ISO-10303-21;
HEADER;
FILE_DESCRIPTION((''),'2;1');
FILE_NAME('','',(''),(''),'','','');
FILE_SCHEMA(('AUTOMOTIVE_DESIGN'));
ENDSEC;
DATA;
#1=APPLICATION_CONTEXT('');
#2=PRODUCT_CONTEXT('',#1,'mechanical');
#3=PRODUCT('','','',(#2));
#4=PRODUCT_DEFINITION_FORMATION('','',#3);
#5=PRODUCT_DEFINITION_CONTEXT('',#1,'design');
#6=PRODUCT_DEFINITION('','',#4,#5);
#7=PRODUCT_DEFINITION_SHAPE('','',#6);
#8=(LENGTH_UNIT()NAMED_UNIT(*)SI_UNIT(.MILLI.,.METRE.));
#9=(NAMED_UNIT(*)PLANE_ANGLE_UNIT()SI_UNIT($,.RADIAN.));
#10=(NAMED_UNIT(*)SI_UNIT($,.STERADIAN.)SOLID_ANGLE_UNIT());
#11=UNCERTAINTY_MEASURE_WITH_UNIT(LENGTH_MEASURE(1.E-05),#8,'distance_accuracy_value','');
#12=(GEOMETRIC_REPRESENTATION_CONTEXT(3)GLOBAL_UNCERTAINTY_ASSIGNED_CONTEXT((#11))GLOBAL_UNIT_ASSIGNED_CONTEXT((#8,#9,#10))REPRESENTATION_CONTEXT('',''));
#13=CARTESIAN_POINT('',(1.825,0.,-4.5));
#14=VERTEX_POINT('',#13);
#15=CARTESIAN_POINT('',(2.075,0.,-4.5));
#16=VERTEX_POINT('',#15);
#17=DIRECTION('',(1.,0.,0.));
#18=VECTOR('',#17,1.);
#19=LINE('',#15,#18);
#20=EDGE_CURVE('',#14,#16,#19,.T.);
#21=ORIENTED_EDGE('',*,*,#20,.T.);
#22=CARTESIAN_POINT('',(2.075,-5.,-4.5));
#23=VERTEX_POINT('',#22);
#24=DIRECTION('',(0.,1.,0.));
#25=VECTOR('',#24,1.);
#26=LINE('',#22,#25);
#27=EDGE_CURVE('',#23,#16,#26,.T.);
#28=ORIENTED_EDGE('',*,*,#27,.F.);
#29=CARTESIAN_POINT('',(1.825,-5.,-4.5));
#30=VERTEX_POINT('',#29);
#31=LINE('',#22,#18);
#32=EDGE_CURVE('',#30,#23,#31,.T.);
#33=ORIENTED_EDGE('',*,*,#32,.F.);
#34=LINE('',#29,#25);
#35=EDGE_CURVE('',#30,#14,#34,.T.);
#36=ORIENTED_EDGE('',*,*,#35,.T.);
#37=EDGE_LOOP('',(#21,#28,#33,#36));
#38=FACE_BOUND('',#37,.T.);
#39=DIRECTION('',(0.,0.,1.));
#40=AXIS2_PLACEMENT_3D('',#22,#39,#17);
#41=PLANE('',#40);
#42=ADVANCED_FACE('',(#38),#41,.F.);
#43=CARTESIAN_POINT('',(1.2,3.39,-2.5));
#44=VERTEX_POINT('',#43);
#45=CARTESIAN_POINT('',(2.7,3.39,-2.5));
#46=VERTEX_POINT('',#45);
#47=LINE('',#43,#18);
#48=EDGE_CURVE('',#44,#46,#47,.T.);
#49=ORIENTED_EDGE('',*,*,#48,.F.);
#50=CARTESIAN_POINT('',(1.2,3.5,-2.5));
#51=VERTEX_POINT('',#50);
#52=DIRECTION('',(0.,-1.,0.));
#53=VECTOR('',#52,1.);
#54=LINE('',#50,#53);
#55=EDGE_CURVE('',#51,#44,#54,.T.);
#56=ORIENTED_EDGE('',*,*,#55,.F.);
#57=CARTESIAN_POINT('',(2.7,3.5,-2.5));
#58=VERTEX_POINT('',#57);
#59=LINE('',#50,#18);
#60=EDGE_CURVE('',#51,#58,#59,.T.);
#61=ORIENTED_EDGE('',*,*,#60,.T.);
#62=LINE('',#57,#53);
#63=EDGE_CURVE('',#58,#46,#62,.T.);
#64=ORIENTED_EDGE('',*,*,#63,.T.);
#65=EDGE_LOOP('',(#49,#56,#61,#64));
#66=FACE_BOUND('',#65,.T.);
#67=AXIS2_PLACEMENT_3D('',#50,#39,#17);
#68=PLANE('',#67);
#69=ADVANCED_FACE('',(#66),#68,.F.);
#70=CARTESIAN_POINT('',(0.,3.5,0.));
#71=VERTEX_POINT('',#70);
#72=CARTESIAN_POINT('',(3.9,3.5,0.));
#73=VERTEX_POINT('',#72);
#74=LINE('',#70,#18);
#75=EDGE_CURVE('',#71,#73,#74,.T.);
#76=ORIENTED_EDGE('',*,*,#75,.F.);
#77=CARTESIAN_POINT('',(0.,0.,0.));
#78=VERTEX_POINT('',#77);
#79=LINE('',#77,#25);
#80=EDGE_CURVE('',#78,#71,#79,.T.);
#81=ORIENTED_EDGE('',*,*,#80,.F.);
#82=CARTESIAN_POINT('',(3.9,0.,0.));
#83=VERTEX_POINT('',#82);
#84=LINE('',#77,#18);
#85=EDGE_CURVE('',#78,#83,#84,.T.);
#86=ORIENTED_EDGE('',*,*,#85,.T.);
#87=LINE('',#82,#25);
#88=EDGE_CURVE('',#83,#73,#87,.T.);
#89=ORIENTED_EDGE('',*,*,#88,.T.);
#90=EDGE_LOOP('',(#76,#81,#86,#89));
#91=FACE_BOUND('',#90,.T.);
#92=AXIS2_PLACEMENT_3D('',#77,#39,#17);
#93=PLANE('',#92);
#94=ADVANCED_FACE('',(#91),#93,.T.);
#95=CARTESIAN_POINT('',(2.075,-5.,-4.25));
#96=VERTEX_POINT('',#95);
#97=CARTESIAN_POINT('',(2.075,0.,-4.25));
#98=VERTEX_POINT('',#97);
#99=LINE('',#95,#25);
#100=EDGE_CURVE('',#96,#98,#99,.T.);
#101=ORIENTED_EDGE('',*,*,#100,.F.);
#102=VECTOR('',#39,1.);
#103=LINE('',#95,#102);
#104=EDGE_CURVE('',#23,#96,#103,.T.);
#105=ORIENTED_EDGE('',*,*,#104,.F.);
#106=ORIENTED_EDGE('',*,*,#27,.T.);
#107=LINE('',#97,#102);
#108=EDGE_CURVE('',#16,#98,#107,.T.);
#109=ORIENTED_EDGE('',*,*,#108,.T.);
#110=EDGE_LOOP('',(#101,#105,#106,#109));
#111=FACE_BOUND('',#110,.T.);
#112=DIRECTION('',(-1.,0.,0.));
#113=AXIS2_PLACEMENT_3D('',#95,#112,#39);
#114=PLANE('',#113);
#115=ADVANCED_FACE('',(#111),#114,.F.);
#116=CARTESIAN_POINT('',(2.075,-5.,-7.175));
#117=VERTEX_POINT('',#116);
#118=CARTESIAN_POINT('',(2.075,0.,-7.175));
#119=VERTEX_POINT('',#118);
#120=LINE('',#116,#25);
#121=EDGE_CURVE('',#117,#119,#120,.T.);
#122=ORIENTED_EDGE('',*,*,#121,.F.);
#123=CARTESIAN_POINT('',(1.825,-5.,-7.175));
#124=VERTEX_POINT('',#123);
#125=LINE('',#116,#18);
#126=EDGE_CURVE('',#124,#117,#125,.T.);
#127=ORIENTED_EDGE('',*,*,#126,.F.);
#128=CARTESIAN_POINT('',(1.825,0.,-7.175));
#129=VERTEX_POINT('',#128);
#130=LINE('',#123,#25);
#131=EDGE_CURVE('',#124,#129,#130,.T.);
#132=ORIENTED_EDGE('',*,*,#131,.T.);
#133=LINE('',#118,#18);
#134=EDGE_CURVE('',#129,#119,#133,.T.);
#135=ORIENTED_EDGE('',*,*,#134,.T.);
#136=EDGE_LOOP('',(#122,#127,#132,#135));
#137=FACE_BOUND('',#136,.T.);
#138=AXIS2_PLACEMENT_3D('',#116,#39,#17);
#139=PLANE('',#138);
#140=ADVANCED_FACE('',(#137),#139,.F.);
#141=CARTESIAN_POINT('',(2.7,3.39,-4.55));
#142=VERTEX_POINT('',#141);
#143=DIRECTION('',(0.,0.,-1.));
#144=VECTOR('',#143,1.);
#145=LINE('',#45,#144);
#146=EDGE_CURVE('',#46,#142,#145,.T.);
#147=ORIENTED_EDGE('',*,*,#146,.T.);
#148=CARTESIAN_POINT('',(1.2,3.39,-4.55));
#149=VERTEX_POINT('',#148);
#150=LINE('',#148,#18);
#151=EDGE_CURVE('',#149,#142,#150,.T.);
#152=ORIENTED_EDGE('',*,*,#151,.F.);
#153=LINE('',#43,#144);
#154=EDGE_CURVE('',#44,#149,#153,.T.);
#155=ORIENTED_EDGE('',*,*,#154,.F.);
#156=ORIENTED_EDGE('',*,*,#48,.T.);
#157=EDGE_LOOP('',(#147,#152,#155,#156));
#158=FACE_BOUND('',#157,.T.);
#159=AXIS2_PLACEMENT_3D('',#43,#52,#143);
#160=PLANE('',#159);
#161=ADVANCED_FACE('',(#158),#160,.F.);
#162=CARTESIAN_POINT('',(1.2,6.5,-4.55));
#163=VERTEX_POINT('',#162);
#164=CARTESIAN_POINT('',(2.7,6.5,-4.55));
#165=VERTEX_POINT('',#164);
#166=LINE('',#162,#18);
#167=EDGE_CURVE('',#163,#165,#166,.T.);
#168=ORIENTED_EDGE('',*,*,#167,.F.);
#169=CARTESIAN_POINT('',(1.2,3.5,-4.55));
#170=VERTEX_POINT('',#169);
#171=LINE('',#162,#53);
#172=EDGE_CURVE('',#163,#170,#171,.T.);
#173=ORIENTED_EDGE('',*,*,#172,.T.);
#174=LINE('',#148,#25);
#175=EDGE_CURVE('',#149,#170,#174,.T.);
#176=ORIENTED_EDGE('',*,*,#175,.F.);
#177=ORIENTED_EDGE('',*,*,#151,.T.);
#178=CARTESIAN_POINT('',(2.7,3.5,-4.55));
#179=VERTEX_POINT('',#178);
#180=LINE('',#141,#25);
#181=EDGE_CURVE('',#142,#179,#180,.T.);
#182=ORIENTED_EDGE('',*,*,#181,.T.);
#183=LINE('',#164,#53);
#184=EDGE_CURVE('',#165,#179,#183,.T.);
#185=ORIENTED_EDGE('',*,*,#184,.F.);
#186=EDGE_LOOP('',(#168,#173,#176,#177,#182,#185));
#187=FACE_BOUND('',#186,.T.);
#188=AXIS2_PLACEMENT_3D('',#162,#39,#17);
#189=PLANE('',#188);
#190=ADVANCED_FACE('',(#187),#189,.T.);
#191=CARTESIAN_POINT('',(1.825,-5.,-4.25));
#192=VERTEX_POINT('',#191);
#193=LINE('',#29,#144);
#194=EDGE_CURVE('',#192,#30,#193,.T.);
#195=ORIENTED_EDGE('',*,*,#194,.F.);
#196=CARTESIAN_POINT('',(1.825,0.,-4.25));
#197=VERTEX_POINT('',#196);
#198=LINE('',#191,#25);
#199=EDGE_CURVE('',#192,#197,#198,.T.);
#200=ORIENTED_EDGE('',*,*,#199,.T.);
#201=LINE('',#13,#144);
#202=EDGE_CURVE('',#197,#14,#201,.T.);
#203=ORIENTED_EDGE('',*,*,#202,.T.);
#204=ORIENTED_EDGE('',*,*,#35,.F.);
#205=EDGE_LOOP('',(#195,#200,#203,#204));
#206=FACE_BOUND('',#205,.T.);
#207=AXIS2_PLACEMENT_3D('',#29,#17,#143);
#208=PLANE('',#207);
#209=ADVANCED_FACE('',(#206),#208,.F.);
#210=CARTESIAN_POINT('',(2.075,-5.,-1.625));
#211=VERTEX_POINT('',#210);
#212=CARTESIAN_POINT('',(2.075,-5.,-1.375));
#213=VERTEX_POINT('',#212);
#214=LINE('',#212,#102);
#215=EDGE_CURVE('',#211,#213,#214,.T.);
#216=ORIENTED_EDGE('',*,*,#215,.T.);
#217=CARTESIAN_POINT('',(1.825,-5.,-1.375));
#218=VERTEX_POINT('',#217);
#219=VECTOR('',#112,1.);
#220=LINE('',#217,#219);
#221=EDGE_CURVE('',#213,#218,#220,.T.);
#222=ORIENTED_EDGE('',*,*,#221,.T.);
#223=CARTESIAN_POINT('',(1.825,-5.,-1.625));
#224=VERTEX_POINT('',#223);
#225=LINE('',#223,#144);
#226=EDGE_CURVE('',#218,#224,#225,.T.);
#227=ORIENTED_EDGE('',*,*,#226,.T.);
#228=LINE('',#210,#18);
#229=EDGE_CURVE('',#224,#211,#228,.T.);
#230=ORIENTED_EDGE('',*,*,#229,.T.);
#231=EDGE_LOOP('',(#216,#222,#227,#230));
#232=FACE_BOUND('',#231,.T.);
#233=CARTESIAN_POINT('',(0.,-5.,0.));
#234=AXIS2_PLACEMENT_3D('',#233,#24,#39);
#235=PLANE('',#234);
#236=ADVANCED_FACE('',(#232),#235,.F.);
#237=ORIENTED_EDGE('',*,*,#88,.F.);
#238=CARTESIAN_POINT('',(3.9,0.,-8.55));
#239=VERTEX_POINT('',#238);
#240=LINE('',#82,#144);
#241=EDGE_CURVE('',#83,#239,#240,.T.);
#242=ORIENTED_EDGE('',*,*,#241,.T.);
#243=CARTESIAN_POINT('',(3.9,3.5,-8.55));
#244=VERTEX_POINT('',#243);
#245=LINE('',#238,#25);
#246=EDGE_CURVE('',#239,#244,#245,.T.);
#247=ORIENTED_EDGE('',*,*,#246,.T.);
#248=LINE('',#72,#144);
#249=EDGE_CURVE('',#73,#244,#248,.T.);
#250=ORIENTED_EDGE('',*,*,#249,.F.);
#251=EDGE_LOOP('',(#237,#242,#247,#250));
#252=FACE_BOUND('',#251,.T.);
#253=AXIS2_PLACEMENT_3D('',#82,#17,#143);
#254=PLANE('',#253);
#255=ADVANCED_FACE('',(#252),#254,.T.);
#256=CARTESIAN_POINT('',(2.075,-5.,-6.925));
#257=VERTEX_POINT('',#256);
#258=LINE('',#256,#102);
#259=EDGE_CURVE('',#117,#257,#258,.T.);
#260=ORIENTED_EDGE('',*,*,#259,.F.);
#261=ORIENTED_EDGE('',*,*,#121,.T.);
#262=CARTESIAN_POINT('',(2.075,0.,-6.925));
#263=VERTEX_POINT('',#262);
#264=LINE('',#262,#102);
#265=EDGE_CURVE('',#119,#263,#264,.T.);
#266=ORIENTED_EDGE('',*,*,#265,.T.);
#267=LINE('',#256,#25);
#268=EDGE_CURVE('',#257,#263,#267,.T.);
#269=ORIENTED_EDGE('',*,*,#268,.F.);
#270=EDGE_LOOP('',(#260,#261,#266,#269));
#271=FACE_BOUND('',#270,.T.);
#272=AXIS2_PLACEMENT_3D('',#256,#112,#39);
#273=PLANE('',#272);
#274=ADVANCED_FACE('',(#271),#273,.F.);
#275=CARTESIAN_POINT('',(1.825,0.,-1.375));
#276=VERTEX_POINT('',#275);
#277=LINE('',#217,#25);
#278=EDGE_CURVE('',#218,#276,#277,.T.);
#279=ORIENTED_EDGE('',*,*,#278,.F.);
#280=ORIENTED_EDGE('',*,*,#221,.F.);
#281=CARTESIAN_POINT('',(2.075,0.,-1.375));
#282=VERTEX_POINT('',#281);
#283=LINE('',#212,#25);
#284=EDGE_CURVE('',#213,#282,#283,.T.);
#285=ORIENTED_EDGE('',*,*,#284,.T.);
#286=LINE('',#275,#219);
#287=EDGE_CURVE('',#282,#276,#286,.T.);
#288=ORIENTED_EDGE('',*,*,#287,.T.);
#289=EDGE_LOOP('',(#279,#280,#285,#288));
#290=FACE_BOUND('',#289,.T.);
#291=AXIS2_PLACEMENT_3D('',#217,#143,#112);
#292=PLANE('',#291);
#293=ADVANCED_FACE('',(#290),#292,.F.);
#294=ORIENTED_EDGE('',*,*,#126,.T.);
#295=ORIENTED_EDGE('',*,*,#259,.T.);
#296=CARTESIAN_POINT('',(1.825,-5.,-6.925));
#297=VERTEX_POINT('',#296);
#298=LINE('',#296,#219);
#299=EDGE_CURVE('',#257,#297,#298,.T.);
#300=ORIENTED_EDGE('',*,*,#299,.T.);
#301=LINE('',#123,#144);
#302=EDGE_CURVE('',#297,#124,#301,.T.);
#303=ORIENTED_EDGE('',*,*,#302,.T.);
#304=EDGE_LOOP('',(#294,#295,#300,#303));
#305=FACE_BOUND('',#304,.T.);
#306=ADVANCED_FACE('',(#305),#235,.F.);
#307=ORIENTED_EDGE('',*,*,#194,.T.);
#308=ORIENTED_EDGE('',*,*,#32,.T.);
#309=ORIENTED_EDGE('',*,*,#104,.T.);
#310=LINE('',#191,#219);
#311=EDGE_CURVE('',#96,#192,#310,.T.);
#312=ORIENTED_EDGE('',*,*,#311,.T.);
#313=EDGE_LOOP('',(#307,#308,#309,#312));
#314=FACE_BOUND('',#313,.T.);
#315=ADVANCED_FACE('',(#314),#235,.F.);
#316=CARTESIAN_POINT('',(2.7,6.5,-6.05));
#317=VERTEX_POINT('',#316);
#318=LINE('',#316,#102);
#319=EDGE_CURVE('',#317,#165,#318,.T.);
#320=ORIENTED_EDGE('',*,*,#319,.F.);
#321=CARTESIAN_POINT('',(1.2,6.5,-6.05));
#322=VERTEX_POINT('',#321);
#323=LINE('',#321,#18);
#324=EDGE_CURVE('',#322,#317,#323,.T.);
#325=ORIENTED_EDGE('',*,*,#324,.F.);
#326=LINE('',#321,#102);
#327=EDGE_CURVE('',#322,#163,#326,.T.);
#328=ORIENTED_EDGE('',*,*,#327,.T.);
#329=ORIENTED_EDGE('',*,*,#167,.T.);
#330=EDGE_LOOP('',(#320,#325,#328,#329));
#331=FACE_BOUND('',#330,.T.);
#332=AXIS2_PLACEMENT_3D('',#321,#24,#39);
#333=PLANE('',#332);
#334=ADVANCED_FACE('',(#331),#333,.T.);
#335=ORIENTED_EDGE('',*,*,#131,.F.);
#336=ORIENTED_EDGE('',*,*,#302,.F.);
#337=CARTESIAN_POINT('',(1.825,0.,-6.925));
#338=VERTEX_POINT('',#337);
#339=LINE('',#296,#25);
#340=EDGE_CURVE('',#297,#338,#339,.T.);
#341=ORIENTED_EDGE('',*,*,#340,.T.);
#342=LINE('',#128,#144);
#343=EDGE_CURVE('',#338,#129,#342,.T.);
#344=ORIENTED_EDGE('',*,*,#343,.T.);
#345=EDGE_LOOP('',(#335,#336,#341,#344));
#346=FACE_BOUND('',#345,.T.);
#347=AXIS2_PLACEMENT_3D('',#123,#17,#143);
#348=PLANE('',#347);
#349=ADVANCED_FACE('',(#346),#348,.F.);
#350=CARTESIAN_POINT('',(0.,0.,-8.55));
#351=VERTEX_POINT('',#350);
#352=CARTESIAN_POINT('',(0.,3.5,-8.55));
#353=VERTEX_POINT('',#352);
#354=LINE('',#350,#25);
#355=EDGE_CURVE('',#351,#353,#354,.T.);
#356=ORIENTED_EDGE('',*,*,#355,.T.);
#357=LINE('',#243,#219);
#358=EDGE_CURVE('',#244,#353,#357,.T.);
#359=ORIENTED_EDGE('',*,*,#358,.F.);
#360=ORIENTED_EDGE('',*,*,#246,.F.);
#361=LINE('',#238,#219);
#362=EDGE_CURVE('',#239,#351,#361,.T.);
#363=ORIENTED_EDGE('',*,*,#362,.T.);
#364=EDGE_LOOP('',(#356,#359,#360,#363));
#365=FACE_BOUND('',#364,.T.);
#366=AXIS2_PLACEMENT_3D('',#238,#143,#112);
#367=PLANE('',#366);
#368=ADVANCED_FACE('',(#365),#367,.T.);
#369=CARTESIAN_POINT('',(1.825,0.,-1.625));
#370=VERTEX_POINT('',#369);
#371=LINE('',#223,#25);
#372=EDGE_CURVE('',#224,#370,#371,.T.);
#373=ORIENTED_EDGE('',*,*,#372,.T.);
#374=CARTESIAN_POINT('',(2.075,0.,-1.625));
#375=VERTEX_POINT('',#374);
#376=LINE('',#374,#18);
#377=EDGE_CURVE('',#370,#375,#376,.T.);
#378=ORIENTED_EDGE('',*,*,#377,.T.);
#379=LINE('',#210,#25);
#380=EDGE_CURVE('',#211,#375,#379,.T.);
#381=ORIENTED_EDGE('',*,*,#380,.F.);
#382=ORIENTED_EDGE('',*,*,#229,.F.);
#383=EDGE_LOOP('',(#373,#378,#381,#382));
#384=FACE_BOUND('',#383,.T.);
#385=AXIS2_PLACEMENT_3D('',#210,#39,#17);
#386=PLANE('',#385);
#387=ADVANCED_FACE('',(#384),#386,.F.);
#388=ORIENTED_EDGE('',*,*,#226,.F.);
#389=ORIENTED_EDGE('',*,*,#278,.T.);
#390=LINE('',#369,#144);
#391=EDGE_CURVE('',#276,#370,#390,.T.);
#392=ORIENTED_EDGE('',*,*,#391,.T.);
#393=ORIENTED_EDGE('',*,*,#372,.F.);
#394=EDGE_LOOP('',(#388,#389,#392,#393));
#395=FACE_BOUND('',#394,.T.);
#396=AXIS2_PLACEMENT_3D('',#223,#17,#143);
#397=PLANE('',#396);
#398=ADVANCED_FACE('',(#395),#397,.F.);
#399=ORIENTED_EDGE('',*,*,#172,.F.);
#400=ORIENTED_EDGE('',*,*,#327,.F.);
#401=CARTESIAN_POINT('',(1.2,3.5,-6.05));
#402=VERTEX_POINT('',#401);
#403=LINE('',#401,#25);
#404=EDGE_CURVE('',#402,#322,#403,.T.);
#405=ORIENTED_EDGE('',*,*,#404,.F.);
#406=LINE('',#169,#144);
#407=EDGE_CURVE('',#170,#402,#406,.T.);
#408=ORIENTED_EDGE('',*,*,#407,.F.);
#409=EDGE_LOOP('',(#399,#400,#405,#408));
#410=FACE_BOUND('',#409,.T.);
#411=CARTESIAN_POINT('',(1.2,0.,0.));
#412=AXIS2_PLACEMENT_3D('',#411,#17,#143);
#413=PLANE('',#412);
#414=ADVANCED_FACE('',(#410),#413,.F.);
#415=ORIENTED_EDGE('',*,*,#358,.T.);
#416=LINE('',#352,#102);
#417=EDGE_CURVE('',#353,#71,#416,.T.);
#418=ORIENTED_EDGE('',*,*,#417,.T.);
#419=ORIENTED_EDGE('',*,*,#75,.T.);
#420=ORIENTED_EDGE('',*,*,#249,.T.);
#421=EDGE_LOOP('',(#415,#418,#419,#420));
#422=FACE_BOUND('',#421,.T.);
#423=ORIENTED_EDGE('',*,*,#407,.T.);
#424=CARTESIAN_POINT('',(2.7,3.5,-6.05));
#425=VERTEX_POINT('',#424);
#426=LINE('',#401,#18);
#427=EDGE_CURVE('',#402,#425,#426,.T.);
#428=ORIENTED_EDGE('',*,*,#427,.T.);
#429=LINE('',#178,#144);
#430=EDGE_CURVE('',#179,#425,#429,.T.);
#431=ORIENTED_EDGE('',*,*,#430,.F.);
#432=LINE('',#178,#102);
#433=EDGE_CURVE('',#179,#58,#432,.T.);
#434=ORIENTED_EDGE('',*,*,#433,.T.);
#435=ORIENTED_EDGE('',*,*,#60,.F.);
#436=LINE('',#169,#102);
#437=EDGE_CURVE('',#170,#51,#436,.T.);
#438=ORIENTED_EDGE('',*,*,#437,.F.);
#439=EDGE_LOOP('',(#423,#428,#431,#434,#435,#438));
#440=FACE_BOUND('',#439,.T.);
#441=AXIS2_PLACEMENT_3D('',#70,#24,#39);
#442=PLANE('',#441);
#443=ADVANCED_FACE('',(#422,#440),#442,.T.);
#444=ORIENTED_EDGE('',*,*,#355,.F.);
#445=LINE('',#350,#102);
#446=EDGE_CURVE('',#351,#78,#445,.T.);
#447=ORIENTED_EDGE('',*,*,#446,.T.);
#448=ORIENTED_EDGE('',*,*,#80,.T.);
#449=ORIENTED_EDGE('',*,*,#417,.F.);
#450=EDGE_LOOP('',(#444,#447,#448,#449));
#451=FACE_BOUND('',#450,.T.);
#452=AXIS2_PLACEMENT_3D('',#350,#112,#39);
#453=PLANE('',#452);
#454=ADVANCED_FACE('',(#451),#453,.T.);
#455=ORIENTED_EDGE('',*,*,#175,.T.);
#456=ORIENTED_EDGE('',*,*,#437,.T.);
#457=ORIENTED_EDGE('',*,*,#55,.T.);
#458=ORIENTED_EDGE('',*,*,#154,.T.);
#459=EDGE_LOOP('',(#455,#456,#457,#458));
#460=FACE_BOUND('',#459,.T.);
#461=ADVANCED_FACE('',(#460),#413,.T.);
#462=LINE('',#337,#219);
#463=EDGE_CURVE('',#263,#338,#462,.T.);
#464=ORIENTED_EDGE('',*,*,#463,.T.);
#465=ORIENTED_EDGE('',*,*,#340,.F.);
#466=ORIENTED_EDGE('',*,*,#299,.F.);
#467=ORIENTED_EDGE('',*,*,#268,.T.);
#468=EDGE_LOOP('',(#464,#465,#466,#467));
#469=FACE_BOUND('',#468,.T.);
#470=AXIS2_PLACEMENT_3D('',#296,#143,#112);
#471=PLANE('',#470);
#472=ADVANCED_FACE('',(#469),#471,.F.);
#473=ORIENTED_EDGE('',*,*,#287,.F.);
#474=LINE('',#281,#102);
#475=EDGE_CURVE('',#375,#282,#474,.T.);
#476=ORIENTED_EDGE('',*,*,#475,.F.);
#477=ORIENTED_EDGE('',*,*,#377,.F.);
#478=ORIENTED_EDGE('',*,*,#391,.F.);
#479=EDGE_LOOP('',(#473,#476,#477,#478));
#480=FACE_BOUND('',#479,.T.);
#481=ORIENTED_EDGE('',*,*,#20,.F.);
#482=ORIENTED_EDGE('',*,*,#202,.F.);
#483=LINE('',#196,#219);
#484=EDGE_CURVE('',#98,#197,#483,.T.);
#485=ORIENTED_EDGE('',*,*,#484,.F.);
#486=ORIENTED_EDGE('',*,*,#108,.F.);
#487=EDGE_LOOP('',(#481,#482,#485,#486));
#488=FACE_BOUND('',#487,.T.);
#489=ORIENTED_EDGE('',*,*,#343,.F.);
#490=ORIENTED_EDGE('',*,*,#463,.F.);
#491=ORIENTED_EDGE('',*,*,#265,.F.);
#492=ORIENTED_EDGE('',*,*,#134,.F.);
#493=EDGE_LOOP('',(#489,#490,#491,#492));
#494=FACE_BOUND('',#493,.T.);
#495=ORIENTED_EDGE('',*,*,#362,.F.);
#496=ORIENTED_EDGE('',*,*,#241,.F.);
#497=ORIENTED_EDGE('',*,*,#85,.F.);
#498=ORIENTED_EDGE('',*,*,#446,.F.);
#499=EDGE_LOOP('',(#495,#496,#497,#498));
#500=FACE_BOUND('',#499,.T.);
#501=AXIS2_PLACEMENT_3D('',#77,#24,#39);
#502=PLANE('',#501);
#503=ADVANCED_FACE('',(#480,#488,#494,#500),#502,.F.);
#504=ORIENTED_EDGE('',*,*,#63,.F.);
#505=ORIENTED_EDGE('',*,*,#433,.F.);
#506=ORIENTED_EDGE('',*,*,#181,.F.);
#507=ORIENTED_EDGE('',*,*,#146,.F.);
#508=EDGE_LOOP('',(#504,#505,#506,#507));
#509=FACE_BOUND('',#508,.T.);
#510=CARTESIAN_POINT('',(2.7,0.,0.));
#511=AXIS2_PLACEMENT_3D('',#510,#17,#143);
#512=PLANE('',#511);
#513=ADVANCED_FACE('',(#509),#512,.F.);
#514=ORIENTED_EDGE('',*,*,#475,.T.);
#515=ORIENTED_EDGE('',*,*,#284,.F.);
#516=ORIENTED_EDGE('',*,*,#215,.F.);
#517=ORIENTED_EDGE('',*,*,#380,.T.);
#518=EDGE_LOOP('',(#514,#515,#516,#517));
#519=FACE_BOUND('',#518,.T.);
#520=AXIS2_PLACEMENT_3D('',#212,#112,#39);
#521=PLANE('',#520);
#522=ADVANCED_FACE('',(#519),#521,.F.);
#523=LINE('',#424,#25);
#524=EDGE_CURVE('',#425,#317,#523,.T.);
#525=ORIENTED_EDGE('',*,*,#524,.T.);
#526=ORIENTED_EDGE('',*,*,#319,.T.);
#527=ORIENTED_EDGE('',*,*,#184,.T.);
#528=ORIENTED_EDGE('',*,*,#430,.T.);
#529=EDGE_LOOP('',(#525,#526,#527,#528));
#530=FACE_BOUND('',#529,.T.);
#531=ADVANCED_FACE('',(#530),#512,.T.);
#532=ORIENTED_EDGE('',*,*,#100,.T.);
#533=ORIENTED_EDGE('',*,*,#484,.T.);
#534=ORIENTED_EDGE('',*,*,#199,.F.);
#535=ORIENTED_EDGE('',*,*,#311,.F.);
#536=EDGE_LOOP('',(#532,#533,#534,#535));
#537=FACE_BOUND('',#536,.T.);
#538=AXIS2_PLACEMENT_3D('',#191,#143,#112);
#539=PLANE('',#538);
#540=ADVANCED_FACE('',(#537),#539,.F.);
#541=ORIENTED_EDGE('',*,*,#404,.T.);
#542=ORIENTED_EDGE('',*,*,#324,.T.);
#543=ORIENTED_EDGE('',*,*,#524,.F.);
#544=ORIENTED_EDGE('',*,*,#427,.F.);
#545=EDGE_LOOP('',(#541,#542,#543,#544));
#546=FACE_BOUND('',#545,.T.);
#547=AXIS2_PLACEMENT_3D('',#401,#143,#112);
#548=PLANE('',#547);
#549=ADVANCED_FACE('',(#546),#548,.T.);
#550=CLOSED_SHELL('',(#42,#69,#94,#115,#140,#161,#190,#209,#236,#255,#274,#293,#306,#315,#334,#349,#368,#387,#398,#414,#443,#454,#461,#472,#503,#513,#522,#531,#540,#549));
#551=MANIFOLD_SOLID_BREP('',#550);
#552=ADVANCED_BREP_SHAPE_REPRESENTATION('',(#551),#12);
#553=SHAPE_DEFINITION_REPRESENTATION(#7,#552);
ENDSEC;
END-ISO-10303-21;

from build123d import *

# Parameters (mm, degrees)
SKETCH1_W           = 3.9
SKETCH1_H           = 8.55
BOSS_EXTRUDE1_DEPTH = 3.5
SKETCH2_W           = 1.5
SKETCH2_H           = 3
BOSS_EXTRUDE2_DEPTH = 1.5
SKETCH3_W           = 2.05
SKETCH3_H           = 0.11
CUT_EXTRUDE1_DEPTH  = 1.5
SKETCH4_W           = 0.25
SKETCH4_H           = 0.25
BOSS_EXTRUDE3_DEPTH = 5
SKETCH5_W           = 0.25
SKETCH5_H           = 0.25
BOSS_EXTRUDE4_DEPTH = 5
SKETCH6_W           = 0.25
SKETCH6_H           = 0.25
BOSS_EXTRUDE5_DEPTH = 5


with BuildPart() as part:
    # Sketch1 → Boss-Extrude1 (new body)
    with BuildSketch(Plane(origin=(0, 3.5, 0), x_dir=(1, 0, 0), z_dir=(0, 1, 0))):
        with Locations((1.95, 4.275)):
            Rectangle(SKETCH1_W, SKETCH1_H)
    extrude(amount=-BOSS_EXTRUDE1_DEPTH)

    # Sketch2 → Boss-Extrude2 (add)
    with BuildSketch(Plane(origin=(2.7, 0, 0), x_dir=(0, 0, -1), z_dir=(1, 0, 0))):
        with Locations((5.3, 5)):
            Rectangle(SKETCH2_W, SKETCH2_H)
    extrude(amount=-BOSS_EXTRUDE2_DEPTH)

    # Sketch3 → Cut-Extrude1 (cut)
    with BuildSketch(Plane(origin=(2.7, 0, 0), x_dir=(0, 0, -1), z_dir=(1, 0, 0))):
        with Locations((3.525, 3.445)):
            Rectangle(SKETCH3_W, SKETCH3_H)
    extrude(amount=-CUT_EXTRUDE1_DEPTH, mode=Mode.SUBTRACT)

    # Sketch4 → Boss-Extrude3 (add)
    with BuildSketch(Plane.XZ):
        with Locations((1.95, -7.05)):
            Rectangle(SKETCH4_W, SKETCH4_H)
    extrude(amount=BOSS_EXTRUDE3_DEPTH)

    # Sketch5 → Boss-Extrude4 (add)
    with BuildSketch(Plane.XZ):
        with Locations((1.95, -1.5)):
            Rectangle(SKETCH5_W, SKETCH5_H)
    extrude(amount=BOSS_EXTRUDE4_DEPTH)

    # Sketch6 → Boss-Extrude5 (add)
    with BuildSketch(Plane.XZ):
        with Locations((1.95, -4.375)):
            Rectangle(SKETCH6_W, SKETCH6_H)
    extrude(amount=BOSS_EXTRUDE5_DEPTH)


solid = part.part
